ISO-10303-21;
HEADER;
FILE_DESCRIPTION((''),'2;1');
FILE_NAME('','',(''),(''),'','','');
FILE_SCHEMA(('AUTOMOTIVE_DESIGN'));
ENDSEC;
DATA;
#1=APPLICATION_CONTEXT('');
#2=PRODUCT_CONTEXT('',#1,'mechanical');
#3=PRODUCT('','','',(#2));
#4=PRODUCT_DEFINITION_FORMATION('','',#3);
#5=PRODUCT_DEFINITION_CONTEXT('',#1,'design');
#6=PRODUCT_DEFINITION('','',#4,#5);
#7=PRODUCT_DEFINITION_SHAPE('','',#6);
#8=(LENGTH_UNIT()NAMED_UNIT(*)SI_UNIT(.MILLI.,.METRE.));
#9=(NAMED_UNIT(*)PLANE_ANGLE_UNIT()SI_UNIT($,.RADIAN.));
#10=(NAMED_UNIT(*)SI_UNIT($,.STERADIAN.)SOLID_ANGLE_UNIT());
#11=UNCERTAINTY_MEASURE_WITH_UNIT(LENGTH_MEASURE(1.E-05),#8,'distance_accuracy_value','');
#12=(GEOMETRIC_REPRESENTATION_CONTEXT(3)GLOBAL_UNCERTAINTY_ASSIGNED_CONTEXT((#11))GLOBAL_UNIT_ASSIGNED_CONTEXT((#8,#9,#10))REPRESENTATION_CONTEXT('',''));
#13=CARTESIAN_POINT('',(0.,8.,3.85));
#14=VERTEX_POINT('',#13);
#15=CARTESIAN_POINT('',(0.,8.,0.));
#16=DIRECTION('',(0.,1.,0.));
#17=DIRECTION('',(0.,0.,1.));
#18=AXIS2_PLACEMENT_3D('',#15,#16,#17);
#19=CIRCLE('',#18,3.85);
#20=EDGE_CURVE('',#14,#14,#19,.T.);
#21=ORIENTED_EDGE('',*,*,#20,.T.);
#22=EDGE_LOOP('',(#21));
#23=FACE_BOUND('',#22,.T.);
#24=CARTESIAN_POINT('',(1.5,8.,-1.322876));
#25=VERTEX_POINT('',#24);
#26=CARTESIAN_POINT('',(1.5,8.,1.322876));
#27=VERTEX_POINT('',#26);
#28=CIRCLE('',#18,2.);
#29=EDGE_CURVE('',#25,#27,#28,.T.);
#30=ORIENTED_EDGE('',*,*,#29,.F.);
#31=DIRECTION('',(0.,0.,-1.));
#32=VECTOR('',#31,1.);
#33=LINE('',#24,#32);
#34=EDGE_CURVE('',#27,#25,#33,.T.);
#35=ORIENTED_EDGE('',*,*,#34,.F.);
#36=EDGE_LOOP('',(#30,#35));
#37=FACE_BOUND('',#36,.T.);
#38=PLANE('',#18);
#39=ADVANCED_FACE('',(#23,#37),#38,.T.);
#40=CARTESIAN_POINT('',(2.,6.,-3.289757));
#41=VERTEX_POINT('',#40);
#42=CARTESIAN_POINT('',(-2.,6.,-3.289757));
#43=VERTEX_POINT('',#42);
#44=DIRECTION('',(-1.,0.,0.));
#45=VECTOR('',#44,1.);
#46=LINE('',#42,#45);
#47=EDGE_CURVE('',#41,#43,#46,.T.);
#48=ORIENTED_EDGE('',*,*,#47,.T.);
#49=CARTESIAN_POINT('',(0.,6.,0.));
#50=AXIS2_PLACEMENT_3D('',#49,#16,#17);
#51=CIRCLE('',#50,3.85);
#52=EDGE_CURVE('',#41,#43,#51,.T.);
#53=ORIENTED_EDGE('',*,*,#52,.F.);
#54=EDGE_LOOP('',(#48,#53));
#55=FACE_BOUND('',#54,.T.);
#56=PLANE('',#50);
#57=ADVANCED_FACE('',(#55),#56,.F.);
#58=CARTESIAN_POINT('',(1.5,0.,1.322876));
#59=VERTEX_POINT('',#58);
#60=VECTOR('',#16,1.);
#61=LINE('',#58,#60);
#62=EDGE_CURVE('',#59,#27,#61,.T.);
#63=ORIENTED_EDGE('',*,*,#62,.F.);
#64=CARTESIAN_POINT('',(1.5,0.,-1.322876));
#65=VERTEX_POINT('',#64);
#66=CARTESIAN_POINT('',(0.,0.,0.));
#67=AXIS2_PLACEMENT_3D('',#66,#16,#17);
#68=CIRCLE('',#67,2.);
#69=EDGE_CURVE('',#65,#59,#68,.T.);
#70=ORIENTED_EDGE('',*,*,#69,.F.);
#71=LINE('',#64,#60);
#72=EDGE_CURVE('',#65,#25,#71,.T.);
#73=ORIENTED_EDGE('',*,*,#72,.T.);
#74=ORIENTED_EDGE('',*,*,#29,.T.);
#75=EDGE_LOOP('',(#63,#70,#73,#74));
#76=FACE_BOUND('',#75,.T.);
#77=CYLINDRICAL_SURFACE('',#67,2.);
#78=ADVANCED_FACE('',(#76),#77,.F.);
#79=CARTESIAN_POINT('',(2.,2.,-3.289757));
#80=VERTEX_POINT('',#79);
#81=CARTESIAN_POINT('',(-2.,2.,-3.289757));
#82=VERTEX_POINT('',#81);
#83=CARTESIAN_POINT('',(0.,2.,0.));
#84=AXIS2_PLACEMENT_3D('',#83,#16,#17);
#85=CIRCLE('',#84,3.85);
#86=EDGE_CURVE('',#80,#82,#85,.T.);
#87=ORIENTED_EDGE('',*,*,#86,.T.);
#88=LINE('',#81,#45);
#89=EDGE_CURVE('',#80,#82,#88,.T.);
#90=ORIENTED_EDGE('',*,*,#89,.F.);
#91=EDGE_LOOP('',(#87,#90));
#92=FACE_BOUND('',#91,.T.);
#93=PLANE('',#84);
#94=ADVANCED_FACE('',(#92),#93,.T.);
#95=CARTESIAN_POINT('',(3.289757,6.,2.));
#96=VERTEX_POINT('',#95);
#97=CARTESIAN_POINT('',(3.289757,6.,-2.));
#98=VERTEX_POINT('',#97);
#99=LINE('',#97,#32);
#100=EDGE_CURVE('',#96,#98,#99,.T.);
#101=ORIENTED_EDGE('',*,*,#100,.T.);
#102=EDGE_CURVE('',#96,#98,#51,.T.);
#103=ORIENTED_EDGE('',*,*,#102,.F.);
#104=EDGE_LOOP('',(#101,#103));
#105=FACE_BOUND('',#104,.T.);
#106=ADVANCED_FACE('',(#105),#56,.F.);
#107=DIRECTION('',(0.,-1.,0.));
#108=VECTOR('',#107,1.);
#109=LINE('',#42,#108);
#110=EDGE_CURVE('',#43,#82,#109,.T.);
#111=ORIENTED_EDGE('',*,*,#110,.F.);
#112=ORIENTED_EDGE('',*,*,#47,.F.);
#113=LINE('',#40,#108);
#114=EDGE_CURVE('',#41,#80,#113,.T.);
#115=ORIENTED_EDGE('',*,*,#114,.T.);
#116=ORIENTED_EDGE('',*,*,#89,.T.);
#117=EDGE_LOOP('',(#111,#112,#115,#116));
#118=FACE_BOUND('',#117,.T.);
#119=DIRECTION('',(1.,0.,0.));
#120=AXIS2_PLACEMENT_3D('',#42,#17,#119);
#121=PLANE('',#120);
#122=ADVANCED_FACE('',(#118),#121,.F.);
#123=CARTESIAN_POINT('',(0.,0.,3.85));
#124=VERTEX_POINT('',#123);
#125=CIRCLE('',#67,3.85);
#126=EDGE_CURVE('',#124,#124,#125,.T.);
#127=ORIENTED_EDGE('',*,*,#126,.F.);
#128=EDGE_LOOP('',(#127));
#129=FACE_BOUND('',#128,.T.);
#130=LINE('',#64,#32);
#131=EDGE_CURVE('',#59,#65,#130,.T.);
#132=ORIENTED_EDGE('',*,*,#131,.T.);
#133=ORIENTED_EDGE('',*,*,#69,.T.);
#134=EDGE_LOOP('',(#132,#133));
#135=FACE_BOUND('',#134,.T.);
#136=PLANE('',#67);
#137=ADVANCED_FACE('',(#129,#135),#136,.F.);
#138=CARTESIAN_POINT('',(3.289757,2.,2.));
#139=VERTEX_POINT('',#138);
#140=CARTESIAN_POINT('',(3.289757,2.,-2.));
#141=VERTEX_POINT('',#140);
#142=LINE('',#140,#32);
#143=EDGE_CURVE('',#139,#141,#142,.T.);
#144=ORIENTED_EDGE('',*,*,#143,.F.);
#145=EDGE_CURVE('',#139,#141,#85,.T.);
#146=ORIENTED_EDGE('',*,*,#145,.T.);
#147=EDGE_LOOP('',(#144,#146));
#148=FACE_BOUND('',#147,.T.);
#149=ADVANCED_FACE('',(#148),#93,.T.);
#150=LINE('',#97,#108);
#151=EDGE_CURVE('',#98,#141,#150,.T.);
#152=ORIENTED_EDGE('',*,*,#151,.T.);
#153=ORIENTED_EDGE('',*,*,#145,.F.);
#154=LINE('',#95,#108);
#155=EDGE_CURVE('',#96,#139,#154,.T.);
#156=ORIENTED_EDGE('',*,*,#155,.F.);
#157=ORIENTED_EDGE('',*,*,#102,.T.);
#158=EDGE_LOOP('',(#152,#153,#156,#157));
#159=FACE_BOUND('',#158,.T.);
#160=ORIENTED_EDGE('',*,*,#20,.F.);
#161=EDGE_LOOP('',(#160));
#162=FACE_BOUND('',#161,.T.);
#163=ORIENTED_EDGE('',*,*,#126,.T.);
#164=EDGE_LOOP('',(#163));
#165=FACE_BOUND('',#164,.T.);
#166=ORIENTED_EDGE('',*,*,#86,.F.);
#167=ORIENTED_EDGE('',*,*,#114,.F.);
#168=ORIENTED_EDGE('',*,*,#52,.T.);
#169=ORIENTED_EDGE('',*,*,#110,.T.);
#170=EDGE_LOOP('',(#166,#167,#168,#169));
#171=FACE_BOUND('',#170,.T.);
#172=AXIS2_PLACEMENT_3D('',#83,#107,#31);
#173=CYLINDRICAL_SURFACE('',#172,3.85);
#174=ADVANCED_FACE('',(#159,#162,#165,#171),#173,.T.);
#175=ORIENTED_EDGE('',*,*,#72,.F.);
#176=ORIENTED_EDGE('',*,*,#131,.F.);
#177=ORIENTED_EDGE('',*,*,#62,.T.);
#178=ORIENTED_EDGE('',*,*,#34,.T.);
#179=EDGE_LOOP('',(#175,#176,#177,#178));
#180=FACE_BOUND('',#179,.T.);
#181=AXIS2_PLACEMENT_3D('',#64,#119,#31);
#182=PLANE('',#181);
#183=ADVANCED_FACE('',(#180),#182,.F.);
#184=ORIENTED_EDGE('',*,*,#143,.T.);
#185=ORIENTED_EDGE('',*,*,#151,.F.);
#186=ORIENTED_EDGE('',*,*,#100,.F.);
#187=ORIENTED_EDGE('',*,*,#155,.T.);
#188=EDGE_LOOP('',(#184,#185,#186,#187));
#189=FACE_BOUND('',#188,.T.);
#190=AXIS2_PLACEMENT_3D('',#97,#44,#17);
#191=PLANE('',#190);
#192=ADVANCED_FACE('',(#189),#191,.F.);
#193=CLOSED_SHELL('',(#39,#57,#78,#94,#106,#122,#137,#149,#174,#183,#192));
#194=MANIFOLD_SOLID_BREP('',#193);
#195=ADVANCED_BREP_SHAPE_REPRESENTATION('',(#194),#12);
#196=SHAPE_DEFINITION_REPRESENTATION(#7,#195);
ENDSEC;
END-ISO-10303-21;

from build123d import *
from build123d.topology import SkipClean

# Parameters (mm, degrees)
SKETCH1_R           = 3.85
BOSS_EXTRUDE1_DEPTH = 2
BOSS_EXTRUDE2_DEPTH = 4
SKETCH4_R           = 3.85
BOSS_EXTRUDE3_DEPTH = 2
CUT_EXTRUDE1_DEPTH  = 10.67703467


with BuildPart() as part:
    # Sketch1 → Boss-Extrude1 (new body)
    with BuildSketch(Plane(origin=(0, 0, 0), x_dir=(1, 0, 0), z_dir=(0, 1, 0))):
        with Locations(Location((0, 0, 0), (0, 0, 270))):
            Circle(SKETCH1_R)
    extrude(amount=BOSS_EXTRUDE1_DEPTH)

    # Sketch3 → Boss-Extrude2 (add)
    with SkipClean():  # the faces are left unmerged after this step: merging them gives an invalid solid
        with BuildSketch(Plane(origin=(0, 2, 0), x_dir=(1, 0, 0), z_dir=(0, 1, 0))):
            with BuildLine():
                Line((3.28975683, 2), (3.28975683, -2))
                ThreePointArc((3.28975683, -2), (-2.722361108, -2.722361108), (-2, 3.28975683))
                Line((-2, 3.28975683), (2, 3.28975683))
                ThreePointArc((2, 3.28975683), (2.722361108, 2.722361108), (3.28975683, 2))
            make_face()
        extrude(amount=BOSS_EXTRUDE2_DEPTH)

    # Sketch4 → Boss-Extrude3 (add)
    with SkipClean():  # the faces are left unmerged after this step: merging them gives an invalid solid
        with BuildSketch(Plane(origin=(0, 6, 0), x_dir=(1, 0, 0), z_dir=(0, 1, 0))):
            with Locations(Location((0, 0, 0), (0, 0, 270))):
                Circle(SKETCH4_R)
        extrude(amount=BOSS_EXTRUDE3_DEPTH)

    # Sketch5 → Cut-Extrude1 (cut, through all)
    with SkipClean():  # the faces are left unmerged after this step: merging them gives an invalid solid
        with BuildSketch(Plane(origin=(0, 8, 0), x_dir=(1, 0, 0), z_dir=(0, 1, 0))):
            with BuildLine():
                Line((1.5, 1.322875656), (1.5, -1.322875656))
                ThreePointArc((1.5, -1.322875656), (-2, 0), (1.5, 1.322875656))
            make_face()
        extrude(amount=-CUT_EXTRUDE1_DEPTH, mode=Mode.SUBTRACT)


solid = part.part
